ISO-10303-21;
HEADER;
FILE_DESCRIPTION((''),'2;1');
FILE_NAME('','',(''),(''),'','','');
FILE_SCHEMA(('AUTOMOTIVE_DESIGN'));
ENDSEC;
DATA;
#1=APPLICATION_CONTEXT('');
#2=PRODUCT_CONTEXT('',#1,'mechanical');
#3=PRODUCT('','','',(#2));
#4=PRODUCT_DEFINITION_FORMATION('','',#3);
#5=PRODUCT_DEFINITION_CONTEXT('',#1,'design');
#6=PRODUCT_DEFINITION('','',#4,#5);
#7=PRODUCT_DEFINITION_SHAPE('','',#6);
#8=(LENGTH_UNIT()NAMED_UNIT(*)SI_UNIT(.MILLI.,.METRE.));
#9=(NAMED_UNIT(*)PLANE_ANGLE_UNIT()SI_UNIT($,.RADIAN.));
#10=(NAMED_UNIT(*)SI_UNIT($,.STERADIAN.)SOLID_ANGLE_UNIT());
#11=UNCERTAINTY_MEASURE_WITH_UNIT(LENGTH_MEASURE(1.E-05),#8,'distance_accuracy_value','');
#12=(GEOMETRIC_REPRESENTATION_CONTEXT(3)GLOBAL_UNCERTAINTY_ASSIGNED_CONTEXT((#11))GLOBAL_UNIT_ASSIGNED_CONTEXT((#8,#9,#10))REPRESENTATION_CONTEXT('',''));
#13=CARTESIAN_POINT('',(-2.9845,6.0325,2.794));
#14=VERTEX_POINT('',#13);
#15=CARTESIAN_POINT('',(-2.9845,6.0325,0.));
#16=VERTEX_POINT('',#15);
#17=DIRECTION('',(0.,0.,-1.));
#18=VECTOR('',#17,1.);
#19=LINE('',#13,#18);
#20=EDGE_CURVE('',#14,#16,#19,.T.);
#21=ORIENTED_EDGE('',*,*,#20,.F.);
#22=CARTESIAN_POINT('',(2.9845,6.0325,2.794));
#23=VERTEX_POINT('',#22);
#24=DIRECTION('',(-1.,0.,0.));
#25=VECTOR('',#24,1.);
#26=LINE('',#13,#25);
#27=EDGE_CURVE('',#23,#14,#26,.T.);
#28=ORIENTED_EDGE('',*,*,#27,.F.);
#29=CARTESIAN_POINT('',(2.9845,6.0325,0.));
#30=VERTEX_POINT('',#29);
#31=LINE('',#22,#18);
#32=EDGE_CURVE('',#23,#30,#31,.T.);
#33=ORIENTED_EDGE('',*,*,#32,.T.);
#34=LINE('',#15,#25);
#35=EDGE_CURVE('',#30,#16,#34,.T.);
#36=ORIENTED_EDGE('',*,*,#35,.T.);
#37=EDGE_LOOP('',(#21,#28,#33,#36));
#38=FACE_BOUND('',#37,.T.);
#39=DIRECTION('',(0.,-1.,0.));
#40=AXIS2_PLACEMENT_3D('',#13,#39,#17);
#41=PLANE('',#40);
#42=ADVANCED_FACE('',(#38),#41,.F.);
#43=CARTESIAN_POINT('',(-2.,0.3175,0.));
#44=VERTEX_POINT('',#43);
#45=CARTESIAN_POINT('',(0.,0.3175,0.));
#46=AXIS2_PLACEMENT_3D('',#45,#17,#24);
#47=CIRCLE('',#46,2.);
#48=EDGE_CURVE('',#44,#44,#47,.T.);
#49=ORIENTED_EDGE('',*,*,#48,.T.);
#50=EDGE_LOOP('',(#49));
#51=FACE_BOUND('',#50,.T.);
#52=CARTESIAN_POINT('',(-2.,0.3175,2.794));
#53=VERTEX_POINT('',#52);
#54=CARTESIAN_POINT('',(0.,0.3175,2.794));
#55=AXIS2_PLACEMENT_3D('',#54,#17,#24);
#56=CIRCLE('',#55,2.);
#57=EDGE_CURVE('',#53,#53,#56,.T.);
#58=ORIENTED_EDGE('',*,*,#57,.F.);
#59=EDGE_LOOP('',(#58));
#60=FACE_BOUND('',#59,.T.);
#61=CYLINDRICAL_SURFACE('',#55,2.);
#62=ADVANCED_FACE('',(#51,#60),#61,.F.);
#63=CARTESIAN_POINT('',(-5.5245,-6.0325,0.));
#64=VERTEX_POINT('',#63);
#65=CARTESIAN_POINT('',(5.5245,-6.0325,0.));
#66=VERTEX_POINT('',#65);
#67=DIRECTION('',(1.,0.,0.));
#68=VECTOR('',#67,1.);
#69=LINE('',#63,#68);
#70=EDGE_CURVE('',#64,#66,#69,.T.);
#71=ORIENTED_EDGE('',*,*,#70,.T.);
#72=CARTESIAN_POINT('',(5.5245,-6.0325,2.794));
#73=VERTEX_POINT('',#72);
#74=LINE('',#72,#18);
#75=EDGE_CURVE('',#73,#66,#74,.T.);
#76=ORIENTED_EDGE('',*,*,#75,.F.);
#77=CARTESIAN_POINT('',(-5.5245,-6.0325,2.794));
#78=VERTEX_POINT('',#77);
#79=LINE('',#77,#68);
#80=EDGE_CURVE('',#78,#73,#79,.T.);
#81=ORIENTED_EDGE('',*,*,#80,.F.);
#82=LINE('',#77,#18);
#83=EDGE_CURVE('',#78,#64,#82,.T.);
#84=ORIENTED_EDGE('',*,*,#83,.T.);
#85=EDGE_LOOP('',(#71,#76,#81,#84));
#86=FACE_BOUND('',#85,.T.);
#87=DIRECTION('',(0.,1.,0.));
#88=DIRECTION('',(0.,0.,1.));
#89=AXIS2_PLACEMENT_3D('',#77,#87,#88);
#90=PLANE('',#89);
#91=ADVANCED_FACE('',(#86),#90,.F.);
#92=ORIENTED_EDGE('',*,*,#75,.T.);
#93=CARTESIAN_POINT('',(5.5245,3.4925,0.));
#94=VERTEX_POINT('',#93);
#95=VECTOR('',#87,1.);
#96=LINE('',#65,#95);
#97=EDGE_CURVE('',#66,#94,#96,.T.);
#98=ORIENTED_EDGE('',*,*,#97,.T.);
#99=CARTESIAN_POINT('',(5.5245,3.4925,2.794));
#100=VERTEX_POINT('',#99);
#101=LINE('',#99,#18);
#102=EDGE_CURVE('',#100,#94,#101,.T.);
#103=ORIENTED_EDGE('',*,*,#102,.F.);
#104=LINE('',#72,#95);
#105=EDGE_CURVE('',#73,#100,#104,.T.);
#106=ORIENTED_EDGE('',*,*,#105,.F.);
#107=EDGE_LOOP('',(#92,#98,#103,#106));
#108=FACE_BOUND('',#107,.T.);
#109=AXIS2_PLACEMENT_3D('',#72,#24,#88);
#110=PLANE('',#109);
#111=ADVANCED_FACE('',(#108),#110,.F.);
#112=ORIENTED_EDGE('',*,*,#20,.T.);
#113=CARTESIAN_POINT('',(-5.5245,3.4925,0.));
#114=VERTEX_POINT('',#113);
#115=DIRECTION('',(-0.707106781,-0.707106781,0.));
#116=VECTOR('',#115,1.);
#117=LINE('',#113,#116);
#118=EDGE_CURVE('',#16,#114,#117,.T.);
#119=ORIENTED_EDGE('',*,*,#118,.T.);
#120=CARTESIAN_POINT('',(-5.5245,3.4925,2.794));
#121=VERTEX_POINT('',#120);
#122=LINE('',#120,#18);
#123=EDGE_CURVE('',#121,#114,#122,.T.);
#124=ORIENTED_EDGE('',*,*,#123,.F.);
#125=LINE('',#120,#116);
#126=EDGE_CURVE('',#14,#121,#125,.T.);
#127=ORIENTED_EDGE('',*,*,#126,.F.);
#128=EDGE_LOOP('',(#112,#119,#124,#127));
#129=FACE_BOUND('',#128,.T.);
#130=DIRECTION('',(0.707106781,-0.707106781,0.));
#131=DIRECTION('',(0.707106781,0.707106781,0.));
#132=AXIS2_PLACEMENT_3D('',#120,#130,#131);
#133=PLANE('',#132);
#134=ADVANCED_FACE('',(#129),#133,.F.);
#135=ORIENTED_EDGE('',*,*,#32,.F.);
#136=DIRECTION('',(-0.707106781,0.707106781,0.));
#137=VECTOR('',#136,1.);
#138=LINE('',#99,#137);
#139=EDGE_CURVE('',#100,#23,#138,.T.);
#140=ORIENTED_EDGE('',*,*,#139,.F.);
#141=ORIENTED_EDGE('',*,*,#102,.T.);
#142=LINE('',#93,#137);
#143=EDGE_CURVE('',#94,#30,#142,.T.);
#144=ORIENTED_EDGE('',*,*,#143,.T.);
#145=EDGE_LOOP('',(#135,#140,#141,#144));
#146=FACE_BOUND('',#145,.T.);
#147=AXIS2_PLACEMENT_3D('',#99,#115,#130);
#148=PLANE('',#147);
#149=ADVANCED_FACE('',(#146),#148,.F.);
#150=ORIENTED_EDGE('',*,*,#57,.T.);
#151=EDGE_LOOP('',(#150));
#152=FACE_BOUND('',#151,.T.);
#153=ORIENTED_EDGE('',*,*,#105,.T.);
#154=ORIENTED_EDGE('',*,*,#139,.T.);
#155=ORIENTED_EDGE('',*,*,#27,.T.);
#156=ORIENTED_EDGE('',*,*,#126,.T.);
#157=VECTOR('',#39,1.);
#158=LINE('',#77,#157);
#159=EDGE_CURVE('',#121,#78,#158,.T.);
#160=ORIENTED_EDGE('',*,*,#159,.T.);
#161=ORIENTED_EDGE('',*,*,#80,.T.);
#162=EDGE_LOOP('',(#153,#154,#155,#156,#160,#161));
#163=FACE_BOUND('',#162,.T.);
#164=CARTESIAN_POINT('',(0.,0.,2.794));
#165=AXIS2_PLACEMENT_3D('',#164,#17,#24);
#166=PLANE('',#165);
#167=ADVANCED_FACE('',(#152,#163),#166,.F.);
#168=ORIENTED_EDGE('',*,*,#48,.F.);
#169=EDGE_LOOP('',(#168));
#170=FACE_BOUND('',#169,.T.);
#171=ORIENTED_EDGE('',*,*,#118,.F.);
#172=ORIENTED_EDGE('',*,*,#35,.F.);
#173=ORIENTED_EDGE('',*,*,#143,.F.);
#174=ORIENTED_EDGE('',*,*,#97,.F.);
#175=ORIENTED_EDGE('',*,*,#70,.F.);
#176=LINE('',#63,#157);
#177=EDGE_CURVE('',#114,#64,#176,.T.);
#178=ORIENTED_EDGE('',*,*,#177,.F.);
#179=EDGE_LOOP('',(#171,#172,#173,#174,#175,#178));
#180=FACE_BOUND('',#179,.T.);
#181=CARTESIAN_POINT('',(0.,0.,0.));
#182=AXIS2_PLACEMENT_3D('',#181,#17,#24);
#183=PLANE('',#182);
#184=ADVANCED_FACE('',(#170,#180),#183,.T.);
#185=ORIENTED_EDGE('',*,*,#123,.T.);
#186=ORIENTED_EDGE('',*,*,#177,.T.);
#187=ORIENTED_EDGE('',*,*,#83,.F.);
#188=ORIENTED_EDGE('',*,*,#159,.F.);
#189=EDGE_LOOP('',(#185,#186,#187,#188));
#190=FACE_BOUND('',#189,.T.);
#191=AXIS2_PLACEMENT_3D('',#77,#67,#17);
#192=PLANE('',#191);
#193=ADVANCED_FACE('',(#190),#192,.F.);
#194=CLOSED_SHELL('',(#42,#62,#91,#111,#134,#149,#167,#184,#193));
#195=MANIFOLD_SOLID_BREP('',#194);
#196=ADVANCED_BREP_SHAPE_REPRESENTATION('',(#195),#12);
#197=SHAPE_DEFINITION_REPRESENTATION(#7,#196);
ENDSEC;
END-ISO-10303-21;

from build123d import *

# Parameters (mm, degrees)
BASE_DEPTH     = 2.794
SKETCH2_R      = 2
BASEHOLE_DEPTH = 2.794


with BuildPart() as part:
    # Sketch1 → Base (new body)
    with BuildSketch(Plane.XY):
        Polygon((-5.5245, 3.4925), (-2.9845, 6.0325), (2.9845, 6.0325), (5.5245, 3.4925), (5.5245, -6.0325), (-5.5245, -6.0325), align=None)
    extrude(amount=BASE_DEPTH)

    # Sketch2 → BaseHole (cut)
    with BuildSketch(Plane(origin=(0, 0, 0), x_dir=(-1, 0, 0), z_dir=(0, 0, -1))):
        with Locations((0, 0.3175)):
            Circle(SKETCH2_R)
    extrude(amount=-BASEHOLE_DEPTH, mode=Mode.SUBTRACT)


solid = part.part
